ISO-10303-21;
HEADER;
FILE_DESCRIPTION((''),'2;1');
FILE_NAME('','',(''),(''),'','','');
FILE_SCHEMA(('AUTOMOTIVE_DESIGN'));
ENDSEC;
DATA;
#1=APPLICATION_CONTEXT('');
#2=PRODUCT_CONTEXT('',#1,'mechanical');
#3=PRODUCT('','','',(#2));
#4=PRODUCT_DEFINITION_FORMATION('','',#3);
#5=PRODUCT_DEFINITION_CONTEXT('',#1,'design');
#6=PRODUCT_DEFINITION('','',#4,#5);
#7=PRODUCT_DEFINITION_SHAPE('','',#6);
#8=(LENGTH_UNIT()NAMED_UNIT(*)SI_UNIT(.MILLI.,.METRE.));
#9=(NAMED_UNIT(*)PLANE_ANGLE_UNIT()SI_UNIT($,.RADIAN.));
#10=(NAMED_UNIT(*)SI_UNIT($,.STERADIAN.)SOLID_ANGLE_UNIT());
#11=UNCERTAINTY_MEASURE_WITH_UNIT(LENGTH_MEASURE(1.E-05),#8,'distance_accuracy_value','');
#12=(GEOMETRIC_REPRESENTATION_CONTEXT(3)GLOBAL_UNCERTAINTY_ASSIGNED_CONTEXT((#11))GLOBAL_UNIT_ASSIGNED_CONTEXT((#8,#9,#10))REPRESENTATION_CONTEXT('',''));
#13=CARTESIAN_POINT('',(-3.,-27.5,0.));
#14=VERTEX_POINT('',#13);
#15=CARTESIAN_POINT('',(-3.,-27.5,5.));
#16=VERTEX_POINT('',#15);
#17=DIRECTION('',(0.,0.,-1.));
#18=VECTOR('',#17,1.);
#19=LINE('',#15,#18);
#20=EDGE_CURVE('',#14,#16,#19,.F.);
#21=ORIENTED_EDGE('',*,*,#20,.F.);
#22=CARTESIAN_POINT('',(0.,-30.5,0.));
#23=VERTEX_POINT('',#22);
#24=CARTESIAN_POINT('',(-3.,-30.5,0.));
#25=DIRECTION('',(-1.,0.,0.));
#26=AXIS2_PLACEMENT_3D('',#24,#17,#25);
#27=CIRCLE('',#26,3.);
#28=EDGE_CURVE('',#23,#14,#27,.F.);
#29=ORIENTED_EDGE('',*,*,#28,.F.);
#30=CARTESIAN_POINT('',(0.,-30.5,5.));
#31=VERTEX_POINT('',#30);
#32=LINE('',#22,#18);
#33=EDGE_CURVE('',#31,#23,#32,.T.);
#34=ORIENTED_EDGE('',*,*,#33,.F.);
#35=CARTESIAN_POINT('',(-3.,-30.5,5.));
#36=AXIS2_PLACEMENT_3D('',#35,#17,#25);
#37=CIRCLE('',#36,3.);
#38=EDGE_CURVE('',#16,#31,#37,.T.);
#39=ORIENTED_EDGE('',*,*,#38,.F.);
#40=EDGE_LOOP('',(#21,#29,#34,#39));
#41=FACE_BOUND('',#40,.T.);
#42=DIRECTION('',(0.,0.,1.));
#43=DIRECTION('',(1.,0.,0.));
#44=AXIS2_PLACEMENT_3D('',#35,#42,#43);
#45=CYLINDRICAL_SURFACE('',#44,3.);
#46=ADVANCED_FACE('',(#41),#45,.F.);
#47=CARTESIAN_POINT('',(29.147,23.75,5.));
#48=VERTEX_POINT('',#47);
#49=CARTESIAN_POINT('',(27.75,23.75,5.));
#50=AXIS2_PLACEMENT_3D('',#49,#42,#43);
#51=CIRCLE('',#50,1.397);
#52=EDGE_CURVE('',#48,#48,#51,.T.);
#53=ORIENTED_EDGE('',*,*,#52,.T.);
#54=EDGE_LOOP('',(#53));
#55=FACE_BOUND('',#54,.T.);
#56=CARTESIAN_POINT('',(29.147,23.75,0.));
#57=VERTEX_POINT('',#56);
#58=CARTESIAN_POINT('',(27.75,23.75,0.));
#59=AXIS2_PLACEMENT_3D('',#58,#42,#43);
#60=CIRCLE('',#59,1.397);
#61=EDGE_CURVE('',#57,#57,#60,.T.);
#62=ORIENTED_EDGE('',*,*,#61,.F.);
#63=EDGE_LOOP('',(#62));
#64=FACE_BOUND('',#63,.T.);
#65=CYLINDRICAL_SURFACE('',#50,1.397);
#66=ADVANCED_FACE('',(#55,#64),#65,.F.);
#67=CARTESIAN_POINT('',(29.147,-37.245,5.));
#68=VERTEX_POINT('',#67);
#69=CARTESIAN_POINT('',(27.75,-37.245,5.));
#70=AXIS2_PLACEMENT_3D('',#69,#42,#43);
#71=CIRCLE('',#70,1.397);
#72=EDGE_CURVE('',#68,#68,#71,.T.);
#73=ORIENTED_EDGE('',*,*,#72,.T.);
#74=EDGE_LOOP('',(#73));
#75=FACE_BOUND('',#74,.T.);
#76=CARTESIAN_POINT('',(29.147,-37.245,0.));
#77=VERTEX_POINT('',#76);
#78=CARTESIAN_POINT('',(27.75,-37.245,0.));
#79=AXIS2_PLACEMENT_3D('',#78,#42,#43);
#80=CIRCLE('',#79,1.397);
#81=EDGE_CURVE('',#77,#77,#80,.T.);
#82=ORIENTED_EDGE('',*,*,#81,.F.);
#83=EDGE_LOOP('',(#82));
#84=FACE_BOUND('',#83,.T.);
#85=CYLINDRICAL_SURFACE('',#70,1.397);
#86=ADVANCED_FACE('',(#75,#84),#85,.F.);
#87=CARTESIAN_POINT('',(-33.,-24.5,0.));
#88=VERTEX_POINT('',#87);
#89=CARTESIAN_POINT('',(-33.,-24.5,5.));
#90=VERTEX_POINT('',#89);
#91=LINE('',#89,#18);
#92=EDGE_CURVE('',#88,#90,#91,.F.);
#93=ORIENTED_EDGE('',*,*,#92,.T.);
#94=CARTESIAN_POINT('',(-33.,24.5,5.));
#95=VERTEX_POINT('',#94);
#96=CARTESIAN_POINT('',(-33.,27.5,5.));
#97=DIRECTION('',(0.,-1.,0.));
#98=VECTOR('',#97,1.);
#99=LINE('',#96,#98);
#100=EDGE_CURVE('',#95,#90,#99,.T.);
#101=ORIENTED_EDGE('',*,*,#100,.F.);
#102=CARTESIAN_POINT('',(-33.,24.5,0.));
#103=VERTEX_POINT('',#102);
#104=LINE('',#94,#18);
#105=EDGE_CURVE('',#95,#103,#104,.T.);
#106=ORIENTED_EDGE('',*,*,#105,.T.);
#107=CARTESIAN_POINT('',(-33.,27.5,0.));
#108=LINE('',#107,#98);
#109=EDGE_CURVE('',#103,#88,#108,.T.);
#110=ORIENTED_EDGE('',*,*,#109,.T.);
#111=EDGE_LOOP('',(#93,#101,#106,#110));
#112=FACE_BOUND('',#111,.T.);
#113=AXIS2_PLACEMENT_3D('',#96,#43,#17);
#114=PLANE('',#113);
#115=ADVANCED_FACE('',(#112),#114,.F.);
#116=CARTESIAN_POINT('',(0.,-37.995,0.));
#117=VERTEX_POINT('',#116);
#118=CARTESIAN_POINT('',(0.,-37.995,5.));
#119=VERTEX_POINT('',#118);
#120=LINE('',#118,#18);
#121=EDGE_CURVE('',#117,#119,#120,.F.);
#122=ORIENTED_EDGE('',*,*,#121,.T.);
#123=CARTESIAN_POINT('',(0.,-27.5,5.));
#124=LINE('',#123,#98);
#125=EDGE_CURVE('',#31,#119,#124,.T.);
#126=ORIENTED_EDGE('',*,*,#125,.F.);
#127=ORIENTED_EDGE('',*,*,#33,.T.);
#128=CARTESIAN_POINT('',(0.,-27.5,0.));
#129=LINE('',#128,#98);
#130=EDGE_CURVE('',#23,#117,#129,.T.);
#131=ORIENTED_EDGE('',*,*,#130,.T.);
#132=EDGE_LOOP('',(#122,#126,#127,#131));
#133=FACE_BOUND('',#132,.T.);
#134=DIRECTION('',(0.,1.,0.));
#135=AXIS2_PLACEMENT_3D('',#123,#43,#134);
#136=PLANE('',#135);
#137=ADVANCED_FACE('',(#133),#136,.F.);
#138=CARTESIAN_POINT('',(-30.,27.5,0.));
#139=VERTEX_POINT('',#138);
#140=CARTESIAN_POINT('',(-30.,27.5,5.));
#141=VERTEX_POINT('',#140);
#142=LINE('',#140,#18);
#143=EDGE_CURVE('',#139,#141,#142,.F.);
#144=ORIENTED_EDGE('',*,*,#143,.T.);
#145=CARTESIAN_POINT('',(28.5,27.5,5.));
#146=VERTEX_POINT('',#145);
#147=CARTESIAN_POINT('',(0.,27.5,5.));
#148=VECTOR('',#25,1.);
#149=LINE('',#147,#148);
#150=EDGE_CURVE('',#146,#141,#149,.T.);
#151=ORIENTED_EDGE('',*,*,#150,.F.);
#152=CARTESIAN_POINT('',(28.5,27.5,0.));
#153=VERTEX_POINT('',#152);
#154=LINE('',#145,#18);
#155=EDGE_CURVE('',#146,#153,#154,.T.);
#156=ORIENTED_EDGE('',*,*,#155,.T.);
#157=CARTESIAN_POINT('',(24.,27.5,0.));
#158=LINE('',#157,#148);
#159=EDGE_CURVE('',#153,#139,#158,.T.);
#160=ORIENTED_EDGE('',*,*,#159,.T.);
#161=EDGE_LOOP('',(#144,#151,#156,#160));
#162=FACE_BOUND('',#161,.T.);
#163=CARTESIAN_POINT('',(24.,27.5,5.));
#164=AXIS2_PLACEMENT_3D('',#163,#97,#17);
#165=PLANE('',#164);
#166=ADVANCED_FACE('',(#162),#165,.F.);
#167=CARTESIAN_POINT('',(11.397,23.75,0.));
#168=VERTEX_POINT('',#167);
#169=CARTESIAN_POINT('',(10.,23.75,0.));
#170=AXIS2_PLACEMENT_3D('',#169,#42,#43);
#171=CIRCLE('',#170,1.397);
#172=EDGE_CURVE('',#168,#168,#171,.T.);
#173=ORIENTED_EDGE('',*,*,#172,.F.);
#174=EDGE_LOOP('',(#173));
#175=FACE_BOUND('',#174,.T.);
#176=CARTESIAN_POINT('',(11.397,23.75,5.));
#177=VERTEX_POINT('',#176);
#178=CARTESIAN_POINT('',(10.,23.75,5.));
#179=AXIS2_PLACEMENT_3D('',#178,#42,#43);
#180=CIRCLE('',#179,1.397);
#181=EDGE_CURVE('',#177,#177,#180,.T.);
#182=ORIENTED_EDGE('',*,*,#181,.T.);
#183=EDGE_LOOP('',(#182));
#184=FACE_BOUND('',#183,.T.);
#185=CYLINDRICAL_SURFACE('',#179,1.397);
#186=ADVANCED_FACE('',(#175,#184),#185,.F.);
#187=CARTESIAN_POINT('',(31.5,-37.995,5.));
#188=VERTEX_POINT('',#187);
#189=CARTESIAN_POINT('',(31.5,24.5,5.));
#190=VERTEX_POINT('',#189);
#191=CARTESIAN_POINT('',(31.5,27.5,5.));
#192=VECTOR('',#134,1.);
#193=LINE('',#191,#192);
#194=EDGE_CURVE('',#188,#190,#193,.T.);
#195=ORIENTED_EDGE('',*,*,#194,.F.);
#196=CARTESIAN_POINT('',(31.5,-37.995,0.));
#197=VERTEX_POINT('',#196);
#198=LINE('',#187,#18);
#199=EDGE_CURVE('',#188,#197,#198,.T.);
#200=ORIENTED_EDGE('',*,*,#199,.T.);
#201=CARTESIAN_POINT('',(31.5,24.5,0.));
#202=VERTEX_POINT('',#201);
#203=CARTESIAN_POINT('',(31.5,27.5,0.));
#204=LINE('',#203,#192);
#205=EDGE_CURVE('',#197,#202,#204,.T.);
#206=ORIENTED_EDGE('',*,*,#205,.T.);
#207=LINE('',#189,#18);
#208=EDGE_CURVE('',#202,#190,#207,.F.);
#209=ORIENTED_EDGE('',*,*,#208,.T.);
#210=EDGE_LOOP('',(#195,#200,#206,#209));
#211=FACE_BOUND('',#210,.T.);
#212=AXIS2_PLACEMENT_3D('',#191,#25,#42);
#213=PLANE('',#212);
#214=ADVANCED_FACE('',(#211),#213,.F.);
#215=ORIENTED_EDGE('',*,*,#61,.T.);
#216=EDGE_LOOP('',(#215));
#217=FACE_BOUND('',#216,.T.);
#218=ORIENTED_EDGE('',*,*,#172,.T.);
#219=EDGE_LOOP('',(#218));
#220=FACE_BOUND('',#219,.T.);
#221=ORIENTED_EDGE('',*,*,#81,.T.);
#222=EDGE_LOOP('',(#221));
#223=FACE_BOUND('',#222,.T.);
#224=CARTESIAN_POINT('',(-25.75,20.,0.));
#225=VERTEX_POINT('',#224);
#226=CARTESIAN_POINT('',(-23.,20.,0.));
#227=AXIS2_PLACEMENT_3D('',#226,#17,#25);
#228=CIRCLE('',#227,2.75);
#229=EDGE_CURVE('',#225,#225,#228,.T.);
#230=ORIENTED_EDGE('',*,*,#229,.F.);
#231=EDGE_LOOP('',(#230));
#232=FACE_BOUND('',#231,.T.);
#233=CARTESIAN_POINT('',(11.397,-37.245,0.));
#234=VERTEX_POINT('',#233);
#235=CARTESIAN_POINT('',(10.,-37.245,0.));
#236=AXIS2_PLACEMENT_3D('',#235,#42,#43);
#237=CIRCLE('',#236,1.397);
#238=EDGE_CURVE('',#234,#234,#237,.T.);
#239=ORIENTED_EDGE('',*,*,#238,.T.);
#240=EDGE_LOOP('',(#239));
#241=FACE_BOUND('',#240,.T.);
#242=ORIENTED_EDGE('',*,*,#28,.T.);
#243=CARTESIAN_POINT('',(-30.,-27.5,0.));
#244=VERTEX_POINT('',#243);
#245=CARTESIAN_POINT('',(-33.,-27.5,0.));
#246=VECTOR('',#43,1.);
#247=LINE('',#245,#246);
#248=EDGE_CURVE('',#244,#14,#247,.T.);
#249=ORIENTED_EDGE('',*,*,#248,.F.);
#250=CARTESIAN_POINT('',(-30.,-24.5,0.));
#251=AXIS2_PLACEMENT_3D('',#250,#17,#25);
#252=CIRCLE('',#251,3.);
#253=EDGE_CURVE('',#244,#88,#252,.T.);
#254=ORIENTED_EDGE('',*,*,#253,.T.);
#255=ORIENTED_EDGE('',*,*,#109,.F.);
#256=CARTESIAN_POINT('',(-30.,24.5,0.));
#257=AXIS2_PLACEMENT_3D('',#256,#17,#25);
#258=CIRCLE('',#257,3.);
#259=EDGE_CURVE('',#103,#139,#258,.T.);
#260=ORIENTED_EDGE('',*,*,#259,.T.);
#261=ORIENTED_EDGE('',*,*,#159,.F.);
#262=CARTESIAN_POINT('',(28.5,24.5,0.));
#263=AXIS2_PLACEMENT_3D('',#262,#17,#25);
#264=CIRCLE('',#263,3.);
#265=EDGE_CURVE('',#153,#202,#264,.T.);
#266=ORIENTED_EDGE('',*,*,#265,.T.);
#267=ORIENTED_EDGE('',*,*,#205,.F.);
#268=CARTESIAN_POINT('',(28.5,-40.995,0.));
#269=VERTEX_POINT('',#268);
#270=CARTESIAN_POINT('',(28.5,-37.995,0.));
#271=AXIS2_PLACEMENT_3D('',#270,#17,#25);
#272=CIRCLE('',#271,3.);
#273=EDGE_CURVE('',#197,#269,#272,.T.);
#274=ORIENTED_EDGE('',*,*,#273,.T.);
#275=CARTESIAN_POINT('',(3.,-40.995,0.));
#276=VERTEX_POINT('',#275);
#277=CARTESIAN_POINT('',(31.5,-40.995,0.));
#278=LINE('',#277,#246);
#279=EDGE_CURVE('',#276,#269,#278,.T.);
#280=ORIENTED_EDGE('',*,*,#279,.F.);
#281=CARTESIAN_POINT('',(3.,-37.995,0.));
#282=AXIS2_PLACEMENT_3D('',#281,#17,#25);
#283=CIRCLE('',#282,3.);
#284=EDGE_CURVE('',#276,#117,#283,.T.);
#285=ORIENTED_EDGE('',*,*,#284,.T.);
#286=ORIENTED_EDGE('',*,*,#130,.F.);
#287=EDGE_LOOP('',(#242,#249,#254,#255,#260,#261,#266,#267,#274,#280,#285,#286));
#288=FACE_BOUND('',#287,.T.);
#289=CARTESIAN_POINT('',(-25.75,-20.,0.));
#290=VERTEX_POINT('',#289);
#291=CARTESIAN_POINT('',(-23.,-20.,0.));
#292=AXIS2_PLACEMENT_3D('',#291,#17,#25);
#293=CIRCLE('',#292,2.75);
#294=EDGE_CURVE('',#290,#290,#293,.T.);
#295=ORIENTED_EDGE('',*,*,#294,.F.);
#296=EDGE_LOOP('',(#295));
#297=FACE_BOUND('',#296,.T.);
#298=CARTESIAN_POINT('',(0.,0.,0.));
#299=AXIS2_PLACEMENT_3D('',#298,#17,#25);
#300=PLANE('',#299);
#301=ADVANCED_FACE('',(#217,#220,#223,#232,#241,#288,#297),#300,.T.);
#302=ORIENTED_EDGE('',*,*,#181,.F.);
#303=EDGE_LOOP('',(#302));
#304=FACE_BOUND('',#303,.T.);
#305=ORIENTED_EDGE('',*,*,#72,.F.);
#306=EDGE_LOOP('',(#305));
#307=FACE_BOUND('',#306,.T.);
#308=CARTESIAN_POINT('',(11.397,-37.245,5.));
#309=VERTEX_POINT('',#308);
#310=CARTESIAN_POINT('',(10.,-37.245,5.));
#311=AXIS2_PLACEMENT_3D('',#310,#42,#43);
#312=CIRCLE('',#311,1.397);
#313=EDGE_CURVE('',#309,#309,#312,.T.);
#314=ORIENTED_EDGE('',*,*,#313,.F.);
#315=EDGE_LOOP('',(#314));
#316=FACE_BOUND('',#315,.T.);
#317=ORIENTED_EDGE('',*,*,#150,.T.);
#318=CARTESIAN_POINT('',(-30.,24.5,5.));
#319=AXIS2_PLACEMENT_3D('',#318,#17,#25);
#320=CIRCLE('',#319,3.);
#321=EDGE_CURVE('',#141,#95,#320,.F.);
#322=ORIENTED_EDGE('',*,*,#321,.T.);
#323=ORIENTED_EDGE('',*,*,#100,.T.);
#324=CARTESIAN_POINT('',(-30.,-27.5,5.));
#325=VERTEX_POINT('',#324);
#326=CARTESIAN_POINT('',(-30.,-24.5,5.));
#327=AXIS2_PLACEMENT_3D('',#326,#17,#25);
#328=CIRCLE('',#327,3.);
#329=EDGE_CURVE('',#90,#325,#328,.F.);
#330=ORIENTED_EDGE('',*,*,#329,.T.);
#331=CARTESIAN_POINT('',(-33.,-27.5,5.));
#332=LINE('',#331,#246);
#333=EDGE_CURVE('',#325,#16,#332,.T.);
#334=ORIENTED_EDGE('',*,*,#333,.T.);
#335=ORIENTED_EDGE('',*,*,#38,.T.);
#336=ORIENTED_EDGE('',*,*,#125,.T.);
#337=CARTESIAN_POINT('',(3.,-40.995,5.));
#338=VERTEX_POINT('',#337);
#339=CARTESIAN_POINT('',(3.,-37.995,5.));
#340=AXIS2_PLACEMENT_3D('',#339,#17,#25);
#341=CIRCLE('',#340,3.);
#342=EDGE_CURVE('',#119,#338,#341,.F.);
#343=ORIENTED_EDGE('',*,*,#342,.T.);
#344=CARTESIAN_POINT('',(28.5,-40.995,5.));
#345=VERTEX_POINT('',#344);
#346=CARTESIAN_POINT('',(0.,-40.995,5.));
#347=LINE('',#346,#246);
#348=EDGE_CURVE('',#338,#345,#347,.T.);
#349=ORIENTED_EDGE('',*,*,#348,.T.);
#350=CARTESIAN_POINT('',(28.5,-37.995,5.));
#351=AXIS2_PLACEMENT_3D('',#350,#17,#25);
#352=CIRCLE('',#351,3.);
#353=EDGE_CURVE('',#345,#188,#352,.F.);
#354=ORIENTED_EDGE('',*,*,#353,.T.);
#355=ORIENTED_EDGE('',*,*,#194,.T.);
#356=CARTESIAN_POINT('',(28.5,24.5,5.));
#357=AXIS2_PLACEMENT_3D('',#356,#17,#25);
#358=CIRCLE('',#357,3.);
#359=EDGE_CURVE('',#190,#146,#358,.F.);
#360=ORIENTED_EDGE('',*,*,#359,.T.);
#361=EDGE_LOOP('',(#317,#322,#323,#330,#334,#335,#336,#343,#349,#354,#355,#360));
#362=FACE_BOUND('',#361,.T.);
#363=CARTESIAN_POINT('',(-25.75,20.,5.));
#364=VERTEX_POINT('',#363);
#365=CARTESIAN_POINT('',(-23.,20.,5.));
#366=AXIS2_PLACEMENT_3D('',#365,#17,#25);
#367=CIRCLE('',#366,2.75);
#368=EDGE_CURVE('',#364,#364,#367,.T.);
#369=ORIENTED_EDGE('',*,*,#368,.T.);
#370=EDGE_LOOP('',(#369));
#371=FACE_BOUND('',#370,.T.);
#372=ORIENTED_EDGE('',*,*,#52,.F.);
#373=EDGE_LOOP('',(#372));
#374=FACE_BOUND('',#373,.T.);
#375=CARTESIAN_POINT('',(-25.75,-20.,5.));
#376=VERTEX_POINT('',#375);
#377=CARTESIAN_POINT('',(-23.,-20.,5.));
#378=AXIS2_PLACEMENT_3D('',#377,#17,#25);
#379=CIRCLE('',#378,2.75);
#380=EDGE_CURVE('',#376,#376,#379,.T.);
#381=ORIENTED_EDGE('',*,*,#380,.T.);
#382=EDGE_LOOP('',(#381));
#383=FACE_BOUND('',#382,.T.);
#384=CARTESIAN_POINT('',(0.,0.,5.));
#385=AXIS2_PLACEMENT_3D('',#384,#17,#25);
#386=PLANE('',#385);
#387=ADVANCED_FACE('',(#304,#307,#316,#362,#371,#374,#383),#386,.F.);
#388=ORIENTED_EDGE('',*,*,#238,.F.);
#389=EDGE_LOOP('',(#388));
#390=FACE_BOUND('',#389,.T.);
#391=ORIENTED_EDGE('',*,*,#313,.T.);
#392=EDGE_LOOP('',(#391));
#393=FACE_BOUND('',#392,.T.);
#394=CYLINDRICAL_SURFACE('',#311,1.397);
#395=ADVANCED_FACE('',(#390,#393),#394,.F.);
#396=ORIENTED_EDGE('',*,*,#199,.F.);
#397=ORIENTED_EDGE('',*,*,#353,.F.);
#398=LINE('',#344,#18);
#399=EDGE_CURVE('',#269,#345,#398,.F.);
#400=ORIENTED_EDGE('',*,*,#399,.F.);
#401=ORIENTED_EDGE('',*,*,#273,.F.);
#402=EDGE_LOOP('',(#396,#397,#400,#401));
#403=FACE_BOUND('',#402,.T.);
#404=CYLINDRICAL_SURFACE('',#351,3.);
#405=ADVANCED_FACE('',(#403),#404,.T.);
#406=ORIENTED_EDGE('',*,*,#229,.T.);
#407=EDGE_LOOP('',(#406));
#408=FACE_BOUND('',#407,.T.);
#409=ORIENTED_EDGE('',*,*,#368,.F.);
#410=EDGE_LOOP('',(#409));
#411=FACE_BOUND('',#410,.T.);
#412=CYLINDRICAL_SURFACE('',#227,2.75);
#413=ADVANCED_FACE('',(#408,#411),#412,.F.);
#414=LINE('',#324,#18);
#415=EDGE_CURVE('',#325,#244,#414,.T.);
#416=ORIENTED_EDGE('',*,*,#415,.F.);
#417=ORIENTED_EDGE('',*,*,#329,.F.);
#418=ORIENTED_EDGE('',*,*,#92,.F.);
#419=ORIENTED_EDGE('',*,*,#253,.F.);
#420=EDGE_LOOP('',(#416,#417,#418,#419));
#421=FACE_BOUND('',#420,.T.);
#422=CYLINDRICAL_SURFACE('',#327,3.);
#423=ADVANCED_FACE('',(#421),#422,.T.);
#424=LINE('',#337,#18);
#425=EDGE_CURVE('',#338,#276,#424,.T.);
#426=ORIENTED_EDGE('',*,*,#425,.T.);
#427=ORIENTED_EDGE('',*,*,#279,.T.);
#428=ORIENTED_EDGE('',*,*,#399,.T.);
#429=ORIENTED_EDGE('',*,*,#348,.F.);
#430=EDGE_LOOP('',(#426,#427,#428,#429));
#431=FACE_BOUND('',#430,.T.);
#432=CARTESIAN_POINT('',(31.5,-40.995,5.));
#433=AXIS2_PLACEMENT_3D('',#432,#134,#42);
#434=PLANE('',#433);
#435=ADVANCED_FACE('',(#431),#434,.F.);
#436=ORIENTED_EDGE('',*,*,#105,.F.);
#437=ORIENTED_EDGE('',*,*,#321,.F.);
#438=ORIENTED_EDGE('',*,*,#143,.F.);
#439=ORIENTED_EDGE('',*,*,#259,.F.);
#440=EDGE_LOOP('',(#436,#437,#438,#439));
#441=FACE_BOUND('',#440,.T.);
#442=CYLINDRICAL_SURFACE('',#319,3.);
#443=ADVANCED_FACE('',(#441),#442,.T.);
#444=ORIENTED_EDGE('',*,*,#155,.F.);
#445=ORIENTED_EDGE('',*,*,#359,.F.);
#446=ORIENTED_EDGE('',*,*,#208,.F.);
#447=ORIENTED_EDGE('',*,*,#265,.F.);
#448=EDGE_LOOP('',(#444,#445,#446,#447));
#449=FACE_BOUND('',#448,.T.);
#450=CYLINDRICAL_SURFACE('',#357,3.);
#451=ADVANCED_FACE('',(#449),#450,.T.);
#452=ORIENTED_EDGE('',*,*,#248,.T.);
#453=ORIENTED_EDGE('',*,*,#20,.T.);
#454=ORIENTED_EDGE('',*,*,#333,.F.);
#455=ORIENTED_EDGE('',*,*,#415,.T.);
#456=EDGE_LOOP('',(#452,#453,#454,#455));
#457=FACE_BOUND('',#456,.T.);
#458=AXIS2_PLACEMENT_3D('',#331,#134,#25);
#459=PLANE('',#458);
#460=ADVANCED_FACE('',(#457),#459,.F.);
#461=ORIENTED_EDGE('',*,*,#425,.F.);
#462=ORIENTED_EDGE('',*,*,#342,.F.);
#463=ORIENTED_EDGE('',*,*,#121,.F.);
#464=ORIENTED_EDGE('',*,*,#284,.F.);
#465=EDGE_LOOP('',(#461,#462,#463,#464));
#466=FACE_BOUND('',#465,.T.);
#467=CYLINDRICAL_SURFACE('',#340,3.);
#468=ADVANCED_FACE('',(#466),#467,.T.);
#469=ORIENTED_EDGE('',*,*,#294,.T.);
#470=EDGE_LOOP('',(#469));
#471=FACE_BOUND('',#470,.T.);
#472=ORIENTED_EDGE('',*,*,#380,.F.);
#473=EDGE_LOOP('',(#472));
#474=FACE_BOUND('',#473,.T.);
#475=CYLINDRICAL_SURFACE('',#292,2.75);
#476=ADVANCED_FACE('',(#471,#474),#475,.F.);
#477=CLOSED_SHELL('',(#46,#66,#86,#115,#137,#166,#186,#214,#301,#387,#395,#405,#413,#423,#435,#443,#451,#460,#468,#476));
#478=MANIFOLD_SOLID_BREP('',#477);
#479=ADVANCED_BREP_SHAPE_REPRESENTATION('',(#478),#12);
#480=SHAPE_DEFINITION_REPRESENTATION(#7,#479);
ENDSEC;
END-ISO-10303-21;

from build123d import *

# Parameters (mm, degrees)
MAIN_DEPTH            = 5
GEAR_AXIS_HOLES_D     = 5.5
FILLET1_R             = 3
F_3_CLEARANCE_HOLE1_D = 2.794


with BuildPart() as part:
    # Base → Main (new body)
    with BuildSketch(Plane.XY):
        Polygon((0, 27.5), (-33, 27.5), (-33, -27.5), (0, -27.5), (0, -40.995), (24, -40.995), (31.5, -40.995), (31.5, 27.5), (24, 27.5), align=None)
    extrude(amount=MAIN_DEPTH)

    # Gear Axis Holes (through all)
    with Locations(Plane(origin=(0, 0, 0), x_dir=(-1, 0, 0), z_dir=(0, 0, -1))):
        with Locations((23, -20), (23, 20)):
            Hole(GEAR_AXIS_HOLES_D / 2)

    # Fillet1
    fillet1_edges = [part.edges().sort_by_distance(p)[0] for p in [
        (31.5, 27.5, 2.5),
        (31.5, -40.995, 2.5),
        (0, -40.995, 2.5),
        (0, -27.5, 2.5),
        (-33, -27.5, 2.5),
        (-33, 27.5, 2.5),
    ]]
    fillet(fillet1_edges, radius=FILLET1_R)

    # #3 Clearance Hole1 (through all)
    with Locations(Plane.XY.offset(5)):
        with Locations((10, 23.75), (27.75, 23.75), (27.75, -37.245), (10, -37.245)):
            Hole(F_3_CLEARANCE_HOLE1_D / 2)


solid = part.part
